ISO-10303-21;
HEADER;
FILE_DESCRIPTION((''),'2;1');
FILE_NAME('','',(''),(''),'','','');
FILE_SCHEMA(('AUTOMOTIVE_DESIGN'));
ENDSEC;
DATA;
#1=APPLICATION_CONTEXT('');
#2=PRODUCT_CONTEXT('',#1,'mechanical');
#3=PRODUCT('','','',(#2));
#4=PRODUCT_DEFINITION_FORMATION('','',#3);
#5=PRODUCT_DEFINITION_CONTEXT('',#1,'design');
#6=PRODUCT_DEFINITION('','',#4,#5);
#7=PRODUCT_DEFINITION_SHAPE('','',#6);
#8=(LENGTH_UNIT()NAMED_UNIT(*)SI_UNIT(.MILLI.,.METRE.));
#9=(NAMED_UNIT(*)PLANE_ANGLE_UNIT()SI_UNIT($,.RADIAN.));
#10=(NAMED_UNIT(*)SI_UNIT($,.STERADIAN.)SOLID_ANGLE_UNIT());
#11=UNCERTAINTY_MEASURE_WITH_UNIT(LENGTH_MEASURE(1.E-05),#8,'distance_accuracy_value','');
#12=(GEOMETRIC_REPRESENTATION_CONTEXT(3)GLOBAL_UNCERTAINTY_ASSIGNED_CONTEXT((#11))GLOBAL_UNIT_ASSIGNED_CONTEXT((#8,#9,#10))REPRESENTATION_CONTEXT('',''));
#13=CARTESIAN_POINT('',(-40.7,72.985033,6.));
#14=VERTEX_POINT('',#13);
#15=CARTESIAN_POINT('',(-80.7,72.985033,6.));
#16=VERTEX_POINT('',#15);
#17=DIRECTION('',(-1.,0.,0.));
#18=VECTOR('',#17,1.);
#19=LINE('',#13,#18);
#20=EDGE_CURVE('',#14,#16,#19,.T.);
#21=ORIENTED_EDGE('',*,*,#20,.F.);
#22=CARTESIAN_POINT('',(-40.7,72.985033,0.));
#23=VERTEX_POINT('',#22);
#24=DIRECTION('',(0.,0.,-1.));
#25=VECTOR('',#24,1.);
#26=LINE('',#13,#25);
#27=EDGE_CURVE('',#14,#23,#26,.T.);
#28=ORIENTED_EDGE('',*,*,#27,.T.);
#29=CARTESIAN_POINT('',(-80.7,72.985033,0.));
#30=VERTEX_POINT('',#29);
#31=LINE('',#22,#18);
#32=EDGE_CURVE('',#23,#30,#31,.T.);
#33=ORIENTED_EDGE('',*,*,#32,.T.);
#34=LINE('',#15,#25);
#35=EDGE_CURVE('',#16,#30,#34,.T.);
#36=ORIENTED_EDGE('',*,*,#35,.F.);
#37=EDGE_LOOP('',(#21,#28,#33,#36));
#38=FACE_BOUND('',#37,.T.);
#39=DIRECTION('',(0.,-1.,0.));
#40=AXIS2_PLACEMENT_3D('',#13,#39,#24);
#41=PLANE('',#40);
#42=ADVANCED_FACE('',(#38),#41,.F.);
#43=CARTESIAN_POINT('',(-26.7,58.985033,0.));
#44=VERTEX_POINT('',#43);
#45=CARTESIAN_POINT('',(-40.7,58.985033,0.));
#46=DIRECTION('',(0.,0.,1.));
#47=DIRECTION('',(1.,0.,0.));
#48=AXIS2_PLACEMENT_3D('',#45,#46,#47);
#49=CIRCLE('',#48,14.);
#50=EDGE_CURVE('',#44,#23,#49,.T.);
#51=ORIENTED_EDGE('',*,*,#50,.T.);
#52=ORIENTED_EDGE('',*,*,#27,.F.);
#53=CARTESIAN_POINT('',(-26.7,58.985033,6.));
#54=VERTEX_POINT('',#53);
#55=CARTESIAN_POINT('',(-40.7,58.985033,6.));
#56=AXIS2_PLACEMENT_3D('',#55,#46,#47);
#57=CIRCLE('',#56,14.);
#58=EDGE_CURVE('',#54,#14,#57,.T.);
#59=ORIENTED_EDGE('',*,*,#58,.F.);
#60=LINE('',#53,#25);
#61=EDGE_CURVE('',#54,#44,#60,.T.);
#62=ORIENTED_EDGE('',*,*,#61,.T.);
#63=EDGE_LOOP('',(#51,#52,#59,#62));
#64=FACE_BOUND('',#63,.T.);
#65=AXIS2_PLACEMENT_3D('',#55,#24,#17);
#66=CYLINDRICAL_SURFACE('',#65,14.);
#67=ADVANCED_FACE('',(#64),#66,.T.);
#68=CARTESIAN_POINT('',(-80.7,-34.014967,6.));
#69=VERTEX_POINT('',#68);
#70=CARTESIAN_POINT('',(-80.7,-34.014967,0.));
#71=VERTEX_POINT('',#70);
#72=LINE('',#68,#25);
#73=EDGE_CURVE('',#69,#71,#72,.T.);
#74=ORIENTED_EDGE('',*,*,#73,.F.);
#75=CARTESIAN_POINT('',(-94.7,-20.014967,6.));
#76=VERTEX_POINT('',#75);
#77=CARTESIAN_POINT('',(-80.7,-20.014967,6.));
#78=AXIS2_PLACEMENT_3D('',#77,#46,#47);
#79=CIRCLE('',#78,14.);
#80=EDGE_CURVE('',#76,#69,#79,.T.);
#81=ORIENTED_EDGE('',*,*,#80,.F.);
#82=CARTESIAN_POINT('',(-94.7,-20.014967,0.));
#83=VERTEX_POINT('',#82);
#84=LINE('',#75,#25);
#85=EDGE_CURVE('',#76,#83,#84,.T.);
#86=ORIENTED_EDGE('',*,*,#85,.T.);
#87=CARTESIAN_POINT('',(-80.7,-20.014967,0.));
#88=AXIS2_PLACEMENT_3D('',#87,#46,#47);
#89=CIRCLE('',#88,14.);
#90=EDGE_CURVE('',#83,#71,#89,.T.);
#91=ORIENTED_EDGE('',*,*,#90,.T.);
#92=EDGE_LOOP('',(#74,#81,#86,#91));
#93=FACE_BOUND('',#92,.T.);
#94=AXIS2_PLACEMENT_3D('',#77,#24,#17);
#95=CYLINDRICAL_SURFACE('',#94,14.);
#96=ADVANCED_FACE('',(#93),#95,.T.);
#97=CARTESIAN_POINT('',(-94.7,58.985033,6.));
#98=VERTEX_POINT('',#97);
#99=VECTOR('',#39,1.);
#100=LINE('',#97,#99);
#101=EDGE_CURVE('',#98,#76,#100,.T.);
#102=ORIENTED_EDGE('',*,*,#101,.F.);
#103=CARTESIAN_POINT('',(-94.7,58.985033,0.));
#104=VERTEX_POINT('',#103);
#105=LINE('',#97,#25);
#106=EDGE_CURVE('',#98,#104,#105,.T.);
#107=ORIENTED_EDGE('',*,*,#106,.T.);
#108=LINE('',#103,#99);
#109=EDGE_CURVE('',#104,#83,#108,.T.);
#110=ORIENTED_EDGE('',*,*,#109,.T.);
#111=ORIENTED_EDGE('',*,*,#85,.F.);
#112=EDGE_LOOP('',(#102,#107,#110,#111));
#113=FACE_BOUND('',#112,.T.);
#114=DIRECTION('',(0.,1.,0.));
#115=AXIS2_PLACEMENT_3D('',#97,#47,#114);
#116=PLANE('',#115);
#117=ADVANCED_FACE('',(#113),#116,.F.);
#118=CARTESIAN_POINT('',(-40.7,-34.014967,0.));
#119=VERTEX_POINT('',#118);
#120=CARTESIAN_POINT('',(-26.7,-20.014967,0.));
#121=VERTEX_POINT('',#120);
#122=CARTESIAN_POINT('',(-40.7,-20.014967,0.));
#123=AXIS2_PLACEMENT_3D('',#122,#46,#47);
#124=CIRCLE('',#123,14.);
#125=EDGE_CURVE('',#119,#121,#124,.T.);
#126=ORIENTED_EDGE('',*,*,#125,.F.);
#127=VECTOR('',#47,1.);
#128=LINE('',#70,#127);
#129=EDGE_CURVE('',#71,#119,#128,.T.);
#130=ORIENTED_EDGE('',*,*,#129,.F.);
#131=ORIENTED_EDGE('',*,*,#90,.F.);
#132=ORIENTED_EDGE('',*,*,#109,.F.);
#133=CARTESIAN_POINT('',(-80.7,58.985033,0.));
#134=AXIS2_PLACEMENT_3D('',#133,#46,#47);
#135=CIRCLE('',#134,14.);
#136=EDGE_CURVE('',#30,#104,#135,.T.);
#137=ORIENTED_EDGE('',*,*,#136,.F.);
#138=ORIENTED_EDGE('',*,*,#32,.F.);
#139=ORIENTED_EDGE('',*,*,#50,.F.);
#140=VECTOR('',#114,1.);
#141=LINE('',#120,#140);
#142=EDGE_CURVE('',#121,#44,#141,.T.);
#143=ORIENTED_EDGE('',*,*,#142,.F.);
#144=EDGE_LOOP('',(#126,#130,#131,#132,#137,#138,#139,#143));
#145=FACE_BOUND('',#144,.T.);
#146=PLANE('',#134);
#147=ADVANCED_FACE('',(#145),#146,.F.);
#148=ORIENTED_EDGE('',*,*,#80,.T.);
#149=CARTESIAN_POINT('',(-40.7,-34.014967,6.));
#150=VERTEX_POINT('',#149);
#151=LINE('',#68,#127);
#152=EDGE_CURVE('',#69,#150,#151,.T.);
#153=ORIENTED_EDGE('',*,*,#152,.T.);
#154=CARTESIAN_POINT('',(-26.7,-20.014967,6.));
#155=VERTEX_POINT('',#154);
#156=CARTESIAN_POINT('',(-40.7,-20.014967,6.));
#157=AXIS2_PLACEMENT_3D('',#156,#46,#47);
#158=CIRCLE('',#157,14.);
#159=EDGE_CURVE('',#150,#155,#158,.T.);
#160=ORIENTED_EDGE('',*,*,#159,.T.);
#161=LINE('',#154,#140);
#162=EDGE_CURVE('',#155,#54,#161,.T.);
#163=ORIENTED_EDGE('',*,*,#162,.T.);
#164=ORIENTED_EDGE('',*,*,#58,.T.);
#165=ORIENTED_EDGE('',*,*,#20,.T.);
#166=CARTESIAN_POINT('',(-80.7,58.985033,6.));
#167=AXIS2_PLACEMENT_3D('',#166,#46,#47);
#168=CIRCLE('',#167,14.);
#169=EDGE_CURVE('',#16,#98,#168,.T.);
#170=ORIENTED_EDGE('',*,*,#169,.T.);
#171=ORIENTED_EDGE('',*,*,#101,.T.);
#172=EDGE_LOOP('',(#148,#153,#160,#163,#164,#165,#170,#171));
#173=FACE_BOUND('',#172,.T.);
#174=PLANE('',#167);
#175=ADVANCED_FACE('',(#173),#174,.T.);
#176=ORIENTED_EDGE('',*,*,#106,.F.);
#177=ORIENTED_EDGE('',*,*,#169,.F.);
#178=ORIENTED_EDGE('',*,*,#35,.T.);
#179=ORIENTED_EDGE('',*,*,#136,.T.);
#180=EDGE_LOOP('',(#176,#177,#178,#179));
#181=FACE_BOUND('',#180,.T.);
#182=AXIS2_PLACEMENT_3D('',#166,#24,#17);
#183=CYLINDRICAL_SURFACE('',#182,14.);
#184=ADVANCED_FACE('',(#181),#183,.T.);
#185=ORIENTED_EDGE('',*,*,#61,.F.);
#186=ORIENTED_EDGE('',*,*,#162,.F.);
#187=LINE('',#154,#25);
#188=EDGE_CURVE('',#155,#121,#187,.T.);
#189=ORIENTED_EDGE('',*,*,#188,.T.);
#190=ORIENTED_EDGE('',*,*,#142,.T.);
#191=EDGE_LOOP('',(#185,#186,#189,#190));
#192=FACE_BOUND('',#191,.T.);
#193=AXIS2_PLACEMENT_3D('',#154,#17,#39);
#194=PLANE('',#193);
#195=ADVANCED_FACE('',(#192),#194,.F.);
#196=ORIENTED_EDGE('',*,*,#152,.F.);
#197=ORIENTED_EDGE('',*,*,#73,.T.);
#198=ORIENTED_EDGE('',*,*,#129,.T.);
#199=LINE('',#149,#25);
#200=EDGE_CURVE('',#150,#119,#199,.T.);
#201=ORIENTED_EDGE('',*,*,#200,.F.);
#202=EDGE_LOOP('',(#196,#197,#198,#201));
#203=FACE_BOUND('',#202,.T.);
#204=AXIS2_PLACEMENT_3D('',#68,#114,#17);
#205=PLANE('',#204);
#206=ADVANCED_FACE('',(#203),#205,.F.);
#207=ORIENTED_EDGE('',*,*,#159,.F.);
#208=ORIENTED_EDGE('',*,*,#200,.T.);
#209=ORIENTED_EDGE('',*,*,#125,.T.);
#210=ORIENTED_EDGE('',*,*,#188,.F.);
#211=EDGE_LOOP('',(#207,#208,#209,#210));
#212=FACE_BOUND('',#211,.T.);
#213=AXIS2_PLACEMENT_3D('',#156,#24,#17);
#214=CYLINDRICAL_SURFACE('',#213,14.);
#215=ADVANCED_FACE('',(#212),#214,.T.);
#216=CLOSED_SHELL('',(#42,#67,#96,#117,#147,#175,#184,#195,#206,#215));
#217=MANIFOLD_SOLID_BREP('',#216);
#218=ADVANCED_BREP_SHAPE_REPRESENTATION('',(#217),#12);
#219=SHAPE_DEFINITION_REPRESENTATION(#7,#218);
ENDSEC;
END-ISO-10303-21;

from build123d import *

# Parameters (mm, degrees)
BOSS_EXTRUDE1_DEPTH = 6


with BuildPart() as part:
    # Sketch1 → Boss-Extrude1 (new body)
    with BuildSketch(Plane.XY):
        with BuildLine():
            Line((-94.7, 58.985033023), (-94.7, -20.014966977))
            ThreePointArc((-94.7, -20.014966977), (-90.599494937, -29.914461914), (-80.7, -34.014966977))
            Line((-80.7, -34.014966977), (-40.7, -34.014966977))
            ThreePointArc((-40.7, -34.014966977), (-30.800505063, -29.914461914), (-26.7, -20.014966977))
            Line((-26.7, -20.014966977), (-26.7, 58.985033023))
            ThreePointArc((-26.7, 58.985033023), (-30.800505063, 68.88452796), (-40.7, 72.985033023))
            Line((-40.7, 72.985033023), (-80.7, 72.985033023))
            ThreePointArc((-80.7, 72.985033023), (-90.599494937, 68.88452796), (-94.7, 58.985033023))
        make_face()
    extrude(amount=BOSS_EXTRUDE1_DEPTH)


solid = part.part
